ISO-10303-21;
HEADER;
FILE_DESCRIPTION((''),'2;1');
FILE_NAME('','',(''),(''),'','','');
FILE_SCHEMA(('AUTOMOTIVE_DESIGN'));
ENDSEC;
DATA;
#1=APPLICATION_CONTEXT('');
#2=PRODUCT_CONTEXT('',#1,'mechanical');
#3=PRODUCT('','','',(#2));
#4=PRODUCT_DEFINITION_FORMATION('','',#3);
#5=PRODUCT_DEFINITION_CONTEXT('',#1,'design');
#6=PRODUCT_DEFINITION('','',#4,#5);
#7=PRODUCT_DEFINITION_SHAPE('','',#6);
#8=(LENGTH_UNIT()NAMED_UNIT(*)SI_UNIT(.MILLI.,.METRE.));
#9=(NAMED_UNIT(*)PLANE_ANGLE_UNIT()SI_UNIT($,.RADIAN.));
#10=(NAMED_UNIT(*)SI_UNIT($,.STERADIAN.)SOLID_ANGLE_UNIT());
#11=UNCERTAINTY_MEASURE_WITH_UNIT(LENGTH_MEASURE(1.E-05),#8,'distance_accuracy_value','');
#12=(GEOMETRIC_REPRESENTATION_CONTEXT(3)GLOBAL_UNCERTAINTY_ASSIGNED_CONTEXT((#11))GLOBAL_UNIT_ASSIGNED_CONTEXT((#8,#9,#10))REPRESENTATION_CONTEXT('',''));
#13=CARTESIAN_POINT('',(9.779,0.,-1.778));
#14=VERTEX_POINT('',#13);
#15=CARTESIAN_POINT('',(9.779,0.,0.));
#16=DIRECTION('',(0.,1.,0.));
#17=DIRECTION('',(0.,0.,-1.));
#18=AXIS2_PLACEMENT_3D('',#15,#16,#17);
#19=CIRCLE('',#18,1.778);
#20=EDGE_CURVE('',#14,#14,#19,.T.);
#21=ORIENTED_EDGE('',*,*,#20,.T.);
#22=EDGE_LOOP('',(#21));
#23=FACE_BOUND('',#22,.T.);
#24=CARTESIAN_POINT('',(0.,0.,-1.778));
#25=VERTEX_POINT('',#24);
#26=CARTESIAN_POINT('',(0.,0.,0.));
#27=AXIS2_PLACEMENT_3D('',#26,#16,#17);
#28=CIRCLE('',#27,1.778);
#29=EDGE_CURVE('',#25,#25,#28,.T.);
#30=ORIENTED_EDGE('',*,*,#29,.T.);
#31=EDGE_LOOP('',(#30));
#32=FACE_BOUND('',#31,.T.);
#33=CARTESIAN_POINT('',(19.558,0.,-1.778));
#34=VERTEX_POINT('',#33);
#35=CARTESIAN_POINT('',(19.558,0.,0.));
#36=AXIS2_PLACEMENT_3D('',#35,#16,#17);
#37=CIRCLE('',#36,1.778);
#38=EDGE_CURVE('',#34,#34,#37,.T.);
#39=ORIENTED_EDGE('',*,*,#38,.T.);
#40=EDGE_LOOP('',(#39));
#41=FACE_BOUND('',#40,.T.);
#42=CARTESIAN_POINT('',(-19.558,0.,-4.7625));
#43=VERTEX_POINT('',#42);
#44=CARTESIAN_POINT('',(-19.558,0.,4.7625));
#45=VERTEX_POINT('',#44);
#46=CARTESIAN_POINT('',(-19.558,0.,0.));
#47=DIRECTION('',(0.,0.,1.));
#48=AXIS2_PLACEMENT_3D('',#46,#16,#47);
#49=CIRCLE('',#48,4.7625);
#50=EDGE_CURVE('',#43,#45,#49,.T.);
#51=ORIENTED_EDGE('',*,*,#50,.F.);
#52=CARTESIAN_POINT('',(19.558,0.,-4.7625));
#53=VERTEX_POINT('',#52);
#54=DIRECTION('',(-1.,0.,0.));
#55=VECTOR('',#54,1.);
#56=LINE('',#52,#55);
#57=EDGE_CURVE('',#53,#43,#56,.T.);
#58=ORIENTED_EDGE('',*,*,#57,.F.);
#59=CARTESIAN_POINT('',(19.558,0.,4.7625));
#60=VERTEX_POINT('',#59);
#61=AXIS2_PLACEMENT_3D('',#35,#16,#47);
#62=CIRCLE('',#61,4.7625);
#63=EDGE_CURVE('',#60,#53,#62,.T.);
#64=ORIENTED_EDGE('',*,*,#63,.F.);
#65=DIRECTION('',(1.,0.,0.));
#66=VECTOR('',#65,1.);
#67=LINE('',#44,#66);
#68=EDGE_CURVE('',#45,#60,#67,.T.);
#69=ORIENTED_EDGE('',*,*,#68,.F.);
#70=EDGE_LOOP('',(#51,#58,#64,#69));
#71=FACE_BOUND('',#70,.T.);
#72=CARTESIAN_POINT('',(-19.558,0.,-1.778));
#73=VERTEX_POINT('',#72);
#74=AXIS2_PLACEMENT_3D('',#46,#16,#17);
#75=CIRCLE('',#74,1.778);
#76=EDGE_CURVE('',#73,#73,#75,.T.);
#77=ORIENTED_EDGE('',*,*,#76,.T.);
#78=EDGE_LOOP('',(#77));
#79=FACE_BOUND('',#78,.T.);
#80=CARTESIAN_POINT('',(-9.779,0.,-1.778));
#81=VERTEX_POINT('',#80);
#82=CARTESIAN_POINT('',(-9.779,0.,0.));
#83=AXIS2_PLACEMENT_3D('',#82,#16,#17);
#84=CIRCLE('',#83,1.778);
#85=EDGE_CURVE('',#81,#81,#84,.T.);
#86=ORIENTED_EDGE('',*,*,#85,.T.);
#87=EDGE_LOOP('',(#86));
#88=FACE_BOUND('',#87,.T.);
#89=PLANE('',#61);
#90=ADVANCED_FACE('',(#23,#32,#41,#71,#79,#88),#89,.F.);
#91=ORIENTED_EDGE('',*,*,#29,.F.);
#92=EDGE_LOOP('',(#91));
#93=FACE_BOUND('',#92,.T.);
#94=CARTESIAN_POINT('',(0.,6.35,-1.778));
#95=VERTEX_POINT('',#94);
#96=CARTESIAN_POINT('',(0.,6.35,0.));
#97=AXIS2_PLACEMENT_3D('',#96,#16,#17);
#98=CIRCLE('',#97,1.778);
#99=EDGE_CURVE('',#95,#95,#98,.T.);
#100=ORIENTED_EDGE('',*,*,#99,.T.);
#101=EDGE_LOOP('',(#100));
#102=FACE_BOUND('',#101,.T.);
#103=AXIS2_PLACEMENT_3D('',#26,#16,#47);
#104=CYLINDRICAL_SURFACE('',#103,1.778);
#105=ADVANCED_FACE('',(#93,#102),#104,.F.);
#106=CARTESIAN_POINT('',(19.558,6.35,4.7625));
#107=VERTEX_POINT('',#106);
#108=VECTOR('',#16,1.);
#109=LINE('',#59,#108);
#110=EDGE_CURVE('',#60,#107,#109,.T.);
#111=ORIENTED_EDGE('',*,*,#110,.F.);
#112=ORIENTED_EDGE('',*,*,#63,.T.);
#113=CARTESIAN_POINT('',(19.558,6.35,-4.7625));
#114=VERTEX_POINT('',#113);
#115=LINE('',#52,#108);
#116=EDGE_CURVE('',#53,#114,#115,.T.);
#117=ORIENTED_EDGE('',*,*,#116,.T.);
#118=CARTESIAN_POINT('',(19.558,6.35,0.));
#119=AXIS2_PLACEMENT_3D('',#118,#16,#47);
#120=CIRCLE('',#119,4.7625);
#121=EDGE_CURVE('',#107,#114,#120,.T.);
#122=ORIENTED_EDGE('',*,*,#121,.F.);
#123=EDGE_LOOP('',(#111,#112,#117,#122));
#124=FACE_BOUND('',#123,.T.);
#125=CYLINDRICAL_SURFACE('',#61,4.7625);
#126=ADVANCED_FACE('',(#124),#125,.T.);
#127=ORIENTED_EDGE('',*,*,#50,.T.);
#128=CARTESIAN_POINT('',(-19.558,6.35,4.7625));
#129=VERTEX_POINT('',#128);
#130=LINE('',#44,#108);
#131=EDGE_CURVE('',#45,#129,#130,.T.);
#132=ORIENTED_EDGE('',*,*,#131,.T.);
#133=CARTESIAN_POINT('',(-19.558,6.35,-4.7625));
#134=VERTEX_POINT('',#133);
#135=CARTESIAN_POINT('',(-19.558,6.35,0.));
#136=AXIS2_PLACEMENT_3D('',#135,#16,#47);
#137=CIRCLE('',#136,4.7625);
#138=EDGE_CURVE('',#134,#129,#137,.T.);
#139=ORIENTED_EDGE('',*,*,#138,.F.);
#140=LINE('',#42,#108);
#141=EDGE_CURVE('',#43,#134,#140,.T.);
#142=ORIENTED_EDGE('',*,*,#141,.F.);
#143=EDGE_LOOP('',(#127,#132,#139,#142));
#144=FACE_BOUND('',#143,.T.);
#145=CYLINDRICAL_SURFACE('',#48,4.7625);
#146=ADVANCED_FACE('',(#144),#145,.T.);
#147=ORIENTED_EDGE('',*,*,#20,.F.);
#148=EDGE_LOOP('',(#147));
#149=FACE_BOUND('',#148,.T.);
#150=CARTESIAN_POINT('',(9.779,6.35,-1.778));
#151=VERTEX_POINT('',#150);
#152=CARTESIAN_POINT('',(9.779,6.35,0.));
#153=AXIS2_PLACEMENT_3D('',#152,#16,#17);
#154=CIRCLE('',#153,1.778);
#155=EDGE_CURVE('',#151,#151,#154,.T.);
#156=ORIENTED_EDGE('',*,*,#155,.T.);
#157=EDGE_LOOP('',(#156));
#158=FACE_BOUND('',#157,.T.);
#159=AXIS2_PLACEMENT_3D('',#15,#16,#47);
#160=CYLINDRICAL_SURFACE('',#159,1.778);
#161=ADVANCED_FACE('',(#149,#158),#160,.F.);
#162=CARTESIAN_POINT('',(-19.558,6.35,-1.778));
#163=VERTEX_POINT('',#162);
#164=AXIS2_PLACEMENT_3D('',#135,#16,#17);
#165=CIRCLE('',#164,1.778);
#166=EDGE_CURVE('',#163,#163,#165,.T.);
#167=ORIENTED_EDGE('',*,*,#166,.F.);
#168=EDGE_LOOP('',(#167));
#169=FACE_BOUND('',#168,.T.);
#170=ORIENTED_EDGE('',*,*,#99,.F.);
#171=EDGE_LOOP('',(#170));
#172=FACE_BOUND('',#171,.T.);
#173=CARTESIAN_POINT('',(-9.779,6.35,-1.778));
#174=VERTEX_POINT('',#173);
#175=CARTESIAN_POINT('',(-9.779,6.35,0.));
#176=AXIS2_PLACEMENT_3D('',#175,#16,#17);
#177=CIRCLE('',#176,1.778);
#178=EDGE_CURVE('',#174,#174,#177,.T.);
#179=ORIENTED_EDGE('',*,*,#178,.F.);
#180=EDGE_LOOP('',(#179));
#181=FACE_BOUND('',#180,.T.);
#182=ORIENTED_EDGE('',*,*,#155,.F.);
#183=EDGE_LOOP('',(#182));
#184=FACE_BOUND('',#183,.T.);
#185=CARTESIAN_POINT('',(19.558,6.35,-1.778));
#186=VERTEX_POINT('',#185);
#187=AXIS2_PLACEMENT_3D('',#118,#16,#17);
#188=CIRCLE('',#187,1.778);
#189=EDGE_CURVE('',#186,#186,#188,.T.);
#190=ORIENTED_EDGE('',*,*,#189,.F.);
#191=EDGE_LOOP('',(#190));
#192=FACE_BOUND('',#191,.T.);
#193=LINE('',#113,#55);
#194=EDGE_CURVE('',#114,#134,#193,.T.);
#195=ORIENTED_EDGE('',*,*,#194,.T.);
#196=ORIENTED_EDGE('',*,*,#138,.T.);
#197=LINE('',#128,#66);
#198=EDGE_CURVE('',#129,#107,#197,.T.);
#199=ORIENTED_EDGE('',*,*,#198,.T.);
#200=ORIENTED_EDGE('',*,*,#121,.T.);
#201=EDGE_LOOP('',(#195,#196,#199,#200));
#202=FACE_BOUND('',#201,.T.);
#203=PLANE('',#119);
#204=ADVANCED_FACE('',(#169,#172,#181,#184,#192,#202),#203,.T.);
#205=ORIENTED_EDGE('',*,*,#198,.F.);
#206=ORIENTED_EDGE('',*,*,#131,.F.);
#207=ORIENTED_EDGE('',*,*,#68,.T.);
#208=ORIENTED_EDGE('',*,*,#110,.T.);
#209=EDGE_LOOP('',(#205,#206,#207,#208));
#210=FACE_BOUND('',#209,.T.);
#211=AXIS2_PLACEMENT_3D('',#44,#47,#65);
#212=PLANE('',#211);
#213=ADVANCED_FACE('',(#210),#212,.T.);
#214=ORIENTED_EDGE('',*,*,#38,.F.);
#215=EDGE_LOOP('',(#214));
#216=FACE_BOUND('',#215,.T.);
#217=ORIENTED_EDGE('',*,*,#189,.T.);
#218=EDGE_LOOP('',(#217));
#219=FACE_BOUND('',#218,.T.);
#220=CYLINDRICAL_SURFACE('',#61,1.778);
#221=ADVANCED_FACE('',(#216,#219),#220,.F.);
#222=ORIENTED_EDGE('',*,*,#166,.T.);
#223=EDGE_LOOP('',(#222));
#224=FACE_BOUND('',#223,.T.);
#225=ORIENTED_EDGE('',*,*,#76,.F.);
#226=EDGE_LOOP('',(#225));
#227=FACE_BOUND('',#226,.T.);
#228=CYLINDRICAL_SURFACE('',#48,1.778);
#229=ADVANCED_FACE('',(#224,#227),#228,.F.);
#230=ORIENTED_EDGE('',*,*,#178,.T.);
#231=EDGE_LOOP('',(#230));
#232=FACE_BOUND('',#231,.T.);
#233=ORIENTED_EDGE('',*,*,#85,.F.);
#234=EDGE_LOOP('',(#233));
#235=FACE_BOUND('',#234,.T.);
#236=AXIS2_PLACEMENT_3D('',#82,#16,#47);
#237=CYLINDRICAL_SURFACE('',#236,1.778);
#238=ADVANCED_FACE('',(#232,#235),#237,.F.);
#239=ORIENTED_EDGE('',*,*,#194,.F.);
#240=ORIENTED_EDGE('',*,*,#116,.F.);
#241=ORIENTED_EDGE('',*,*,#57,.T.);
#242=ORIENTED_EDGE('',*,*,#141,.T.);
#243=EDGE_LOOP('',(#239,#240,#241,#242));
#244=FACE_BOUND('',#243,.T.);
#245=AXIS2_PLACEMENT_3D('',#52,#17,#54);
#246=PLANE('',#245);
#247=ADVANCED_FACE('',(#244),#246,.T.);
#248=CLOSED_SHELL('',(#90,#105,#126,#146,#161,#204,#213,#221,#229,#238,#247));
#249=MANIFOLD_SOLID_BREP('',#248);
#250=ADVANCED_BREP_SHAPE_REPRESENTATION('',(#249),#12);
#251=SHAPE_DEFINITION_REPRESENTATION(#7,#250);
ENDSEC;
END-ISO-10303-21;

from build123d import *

# Parameters (mm, degrees)
SKETCH1_R           = 1.778
BOSS_EXTRUDE1_DEPTH = 6.35


with BuildPart() as part:
    # Sketch1 → Boss-Extrude1 (new body)
    with BuildSketch(Plane(origin=(0, 6.35, 0), x_dir=(1, 0, 0), z_dir=(0, 1, 0))):
        with BuildLine():
            Line((19.558, 4.7625), (-19.558, 4.7625))
            ThreePointArc((-19.558, 4.7625), (-24.3205, 0), (-19.558, -4.7625))
            Line((-19.558, -4.7625), (19.558, -4.7625))
            ThreePointArc((19.558, -4.7625), (24.3205, 0), (19.558, 4.7625))
        make_face()
        with Locations((19.558, 0)):
            Circle(SKETCH1_R, mode=Mode.SUBTRACT)
        with Locations((9.779, 0)):
            Circle(SKETCH1_R, mode=Mode.SUBTRACT)
        Circle(SKETCH1_R, mode=Mode.SUBTRACT)
        with Locations((-9.779, 0)):
            Circle(SKETCH1_R, mode=Mode.SUBTRACT)
        with Locations((-19.558, 0)):
            Circle(SKETCH1_R, mode=Mode.SUBTRACT)
    extrude(amount=-BOSS_EXTRUDE1_DEPTH)


solid = part.part
